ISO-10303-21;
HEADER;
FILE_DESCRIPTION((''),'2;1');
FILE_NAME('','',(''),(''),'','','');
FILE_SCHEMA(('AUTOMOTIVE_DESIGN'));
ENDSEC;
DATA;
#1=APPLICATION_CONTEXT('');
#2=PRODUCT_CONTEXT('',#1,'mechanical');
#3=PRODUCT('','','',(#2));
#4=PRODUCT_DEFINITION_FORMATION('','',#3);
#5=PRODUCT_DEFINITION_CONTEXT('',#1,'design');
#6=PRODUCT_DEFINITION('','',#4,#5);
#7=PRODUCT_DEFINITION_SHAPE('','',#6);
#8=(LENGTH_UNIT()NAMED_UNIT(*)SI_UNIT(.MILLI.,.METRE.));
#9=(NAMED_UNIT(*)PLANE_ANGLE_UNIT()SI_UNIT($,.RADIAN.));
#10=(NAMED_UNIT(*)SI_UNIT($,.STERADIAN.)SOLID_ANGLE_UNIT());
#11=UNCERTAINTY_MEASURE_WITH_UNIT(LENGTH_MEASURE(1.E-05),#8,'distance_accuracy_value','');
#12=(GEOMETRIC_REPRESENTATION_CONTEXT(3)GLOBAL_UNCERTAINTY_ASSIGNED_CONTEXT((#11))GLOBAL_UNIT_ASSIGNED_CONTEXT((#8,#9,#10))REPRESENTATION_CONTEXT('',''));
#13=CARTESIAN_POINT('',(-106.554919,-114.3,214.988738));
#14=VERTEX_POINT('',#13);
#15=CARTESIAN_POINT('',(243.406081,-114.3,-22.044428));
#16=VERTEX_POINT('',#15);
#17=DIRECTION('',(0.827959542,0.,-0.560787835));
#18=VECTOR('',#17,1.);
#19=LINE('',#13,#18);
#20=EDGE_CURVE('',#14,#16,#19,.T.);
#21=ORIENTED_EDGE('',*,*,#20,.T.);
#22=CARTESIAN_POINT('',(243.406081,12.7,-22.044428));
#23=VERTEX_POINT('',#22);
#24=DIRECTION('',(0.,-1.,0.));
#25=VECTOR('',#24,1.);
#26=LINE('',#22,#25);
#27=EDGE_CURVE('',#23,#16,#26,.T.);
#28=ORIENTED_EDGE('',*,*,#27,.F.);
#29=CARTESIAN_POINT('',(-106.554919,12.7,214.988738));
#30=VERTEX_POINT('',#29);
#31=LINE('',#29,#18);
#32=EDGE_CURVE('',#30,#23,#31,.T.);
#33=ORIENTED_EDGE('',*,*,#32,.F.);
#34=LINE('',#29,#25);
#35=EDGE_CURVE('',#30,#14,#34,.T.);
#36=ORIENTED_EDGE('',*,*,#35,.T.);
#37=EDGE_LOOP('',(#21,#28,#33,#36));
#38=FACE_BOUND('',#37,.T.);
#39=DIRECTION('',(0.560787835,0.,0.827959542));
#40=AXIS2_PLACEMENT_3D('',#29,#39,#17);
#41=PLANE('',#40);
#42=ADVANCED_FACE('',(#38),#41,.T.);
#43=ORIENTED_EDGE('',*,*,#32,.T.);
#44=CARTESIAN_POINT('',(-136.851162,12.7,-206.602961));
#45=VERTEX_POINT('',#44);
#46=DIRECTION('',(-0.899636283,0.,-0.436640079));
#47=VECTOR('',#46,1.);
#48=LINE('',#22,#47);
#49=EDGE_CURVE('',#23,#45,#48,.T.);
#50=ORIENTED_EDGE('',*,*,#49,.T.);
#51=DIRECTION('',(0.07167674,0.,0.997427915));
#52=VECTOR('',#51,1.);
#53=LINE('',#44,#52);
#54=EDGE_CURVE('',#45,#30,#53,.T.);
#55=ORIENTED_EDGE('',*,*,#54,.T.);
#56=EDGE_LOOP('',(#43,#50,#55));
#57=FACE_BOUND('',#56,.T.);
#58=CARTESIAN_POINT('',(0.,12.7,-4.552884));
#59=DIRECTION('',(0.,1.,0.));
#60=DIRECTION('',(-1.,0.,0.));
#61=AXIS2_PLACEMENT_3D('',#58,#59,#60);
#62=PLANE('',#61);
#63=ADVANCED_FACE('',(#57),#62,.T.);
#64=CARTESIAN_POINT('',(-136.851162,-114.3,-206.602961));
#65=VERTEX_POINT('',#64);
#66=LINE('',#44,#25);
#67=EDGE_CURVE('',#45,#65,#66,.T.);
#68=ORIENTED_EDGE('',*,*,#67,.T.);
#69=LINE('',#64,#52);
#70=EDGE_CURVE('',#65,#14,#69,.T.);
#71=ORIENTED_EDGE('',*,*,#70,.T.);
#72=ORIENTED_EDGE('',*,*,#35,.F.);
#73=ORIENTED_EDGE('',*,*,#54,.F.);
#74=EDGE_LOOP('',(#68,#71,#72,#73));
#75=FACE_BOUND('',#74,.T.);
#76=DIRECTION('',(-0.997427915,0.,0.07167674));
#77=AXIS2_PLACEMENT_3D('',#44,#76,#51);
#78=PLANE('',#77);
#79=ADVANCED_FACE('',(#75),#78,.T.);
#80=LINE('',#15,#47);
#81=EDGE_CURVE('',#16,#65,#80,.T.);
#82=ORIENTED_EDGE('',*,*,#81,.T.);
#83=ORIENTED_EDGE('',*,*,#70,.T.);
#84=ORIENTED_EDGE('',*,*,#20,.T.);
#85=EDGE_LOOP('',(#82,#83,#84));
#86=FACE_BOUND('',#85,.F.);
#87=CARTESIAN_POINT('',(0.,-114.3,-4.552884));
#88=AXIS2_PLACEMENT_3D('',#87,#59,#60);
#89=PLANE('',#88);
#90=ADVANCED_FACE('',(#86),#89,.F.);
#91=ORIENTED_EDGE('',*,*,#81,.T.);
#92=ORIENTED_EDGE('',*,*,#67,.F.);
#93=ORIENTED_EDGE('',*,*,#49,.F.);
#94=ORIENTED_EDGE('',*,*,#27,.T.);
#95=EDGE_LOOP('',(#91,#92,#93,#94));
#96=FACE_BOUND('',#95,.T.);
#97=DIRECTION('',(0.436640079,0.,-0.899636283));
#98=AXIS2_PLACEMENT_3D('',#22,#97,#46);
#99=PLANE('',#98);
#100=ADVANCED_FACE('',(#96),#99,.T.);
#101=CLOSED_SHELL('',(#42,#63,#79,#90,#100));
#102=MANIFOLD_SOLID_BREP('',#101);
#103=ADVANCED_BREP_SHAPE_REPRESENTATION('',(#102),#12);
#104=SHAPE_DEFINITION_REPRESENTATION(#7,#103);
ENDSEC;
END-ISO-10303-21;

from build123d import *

# Parameters (mm, degrees)
F1_DEPTH = 12.7
F3_DEPTH = 127


with BuildPart() as f1:
    # F0 (on Front) → F1 (new body, symmetric)
    with BuildSketch(Plane.XZ):
        Polygon((6.052828, 54.545768), (-38.871723, 38.741022), (-54.525073, -6.236505), (-29.119931, -46.517816), (18.213113, -51.770263), (51.831311, -18.038646), (46.419475, 29.276439), align=None)
        Polygon((20.372863, 87.034216), (-55.343817, 70.193092), (-89.385475, 0.495138), (-56.118047, -69.575665), (19.407415, -87.254573), (80.318698, -39.229008), (80.748362, 38.3368), align=None)
        Polygon((-54.525073, -6.236505), (-38.871723, 38.741022), (6.052828, 54.545768), (46.419475, 29.276439), (51.831311, -18.038646), (18.213113, -51.770263), (-29.119931, -46.517816), align=None, mode=Mode.SUBTRACT)
    extrude(amount=F1_DEPTH, both=True)

    # F2 (on face) → F3 (join)
    with BuildSketch(Plane(origin=(0, 12.7, 0), x_dir=(-1, 0, 0), z_dir=(0, 1, 0))):
        Polygon((-243.406081, -22.044428), (136.851162, -206.602961), (106.554919, 214.988738), align=None)
    extrude(amount=-F3_DEPTH)


solid = f1.part
